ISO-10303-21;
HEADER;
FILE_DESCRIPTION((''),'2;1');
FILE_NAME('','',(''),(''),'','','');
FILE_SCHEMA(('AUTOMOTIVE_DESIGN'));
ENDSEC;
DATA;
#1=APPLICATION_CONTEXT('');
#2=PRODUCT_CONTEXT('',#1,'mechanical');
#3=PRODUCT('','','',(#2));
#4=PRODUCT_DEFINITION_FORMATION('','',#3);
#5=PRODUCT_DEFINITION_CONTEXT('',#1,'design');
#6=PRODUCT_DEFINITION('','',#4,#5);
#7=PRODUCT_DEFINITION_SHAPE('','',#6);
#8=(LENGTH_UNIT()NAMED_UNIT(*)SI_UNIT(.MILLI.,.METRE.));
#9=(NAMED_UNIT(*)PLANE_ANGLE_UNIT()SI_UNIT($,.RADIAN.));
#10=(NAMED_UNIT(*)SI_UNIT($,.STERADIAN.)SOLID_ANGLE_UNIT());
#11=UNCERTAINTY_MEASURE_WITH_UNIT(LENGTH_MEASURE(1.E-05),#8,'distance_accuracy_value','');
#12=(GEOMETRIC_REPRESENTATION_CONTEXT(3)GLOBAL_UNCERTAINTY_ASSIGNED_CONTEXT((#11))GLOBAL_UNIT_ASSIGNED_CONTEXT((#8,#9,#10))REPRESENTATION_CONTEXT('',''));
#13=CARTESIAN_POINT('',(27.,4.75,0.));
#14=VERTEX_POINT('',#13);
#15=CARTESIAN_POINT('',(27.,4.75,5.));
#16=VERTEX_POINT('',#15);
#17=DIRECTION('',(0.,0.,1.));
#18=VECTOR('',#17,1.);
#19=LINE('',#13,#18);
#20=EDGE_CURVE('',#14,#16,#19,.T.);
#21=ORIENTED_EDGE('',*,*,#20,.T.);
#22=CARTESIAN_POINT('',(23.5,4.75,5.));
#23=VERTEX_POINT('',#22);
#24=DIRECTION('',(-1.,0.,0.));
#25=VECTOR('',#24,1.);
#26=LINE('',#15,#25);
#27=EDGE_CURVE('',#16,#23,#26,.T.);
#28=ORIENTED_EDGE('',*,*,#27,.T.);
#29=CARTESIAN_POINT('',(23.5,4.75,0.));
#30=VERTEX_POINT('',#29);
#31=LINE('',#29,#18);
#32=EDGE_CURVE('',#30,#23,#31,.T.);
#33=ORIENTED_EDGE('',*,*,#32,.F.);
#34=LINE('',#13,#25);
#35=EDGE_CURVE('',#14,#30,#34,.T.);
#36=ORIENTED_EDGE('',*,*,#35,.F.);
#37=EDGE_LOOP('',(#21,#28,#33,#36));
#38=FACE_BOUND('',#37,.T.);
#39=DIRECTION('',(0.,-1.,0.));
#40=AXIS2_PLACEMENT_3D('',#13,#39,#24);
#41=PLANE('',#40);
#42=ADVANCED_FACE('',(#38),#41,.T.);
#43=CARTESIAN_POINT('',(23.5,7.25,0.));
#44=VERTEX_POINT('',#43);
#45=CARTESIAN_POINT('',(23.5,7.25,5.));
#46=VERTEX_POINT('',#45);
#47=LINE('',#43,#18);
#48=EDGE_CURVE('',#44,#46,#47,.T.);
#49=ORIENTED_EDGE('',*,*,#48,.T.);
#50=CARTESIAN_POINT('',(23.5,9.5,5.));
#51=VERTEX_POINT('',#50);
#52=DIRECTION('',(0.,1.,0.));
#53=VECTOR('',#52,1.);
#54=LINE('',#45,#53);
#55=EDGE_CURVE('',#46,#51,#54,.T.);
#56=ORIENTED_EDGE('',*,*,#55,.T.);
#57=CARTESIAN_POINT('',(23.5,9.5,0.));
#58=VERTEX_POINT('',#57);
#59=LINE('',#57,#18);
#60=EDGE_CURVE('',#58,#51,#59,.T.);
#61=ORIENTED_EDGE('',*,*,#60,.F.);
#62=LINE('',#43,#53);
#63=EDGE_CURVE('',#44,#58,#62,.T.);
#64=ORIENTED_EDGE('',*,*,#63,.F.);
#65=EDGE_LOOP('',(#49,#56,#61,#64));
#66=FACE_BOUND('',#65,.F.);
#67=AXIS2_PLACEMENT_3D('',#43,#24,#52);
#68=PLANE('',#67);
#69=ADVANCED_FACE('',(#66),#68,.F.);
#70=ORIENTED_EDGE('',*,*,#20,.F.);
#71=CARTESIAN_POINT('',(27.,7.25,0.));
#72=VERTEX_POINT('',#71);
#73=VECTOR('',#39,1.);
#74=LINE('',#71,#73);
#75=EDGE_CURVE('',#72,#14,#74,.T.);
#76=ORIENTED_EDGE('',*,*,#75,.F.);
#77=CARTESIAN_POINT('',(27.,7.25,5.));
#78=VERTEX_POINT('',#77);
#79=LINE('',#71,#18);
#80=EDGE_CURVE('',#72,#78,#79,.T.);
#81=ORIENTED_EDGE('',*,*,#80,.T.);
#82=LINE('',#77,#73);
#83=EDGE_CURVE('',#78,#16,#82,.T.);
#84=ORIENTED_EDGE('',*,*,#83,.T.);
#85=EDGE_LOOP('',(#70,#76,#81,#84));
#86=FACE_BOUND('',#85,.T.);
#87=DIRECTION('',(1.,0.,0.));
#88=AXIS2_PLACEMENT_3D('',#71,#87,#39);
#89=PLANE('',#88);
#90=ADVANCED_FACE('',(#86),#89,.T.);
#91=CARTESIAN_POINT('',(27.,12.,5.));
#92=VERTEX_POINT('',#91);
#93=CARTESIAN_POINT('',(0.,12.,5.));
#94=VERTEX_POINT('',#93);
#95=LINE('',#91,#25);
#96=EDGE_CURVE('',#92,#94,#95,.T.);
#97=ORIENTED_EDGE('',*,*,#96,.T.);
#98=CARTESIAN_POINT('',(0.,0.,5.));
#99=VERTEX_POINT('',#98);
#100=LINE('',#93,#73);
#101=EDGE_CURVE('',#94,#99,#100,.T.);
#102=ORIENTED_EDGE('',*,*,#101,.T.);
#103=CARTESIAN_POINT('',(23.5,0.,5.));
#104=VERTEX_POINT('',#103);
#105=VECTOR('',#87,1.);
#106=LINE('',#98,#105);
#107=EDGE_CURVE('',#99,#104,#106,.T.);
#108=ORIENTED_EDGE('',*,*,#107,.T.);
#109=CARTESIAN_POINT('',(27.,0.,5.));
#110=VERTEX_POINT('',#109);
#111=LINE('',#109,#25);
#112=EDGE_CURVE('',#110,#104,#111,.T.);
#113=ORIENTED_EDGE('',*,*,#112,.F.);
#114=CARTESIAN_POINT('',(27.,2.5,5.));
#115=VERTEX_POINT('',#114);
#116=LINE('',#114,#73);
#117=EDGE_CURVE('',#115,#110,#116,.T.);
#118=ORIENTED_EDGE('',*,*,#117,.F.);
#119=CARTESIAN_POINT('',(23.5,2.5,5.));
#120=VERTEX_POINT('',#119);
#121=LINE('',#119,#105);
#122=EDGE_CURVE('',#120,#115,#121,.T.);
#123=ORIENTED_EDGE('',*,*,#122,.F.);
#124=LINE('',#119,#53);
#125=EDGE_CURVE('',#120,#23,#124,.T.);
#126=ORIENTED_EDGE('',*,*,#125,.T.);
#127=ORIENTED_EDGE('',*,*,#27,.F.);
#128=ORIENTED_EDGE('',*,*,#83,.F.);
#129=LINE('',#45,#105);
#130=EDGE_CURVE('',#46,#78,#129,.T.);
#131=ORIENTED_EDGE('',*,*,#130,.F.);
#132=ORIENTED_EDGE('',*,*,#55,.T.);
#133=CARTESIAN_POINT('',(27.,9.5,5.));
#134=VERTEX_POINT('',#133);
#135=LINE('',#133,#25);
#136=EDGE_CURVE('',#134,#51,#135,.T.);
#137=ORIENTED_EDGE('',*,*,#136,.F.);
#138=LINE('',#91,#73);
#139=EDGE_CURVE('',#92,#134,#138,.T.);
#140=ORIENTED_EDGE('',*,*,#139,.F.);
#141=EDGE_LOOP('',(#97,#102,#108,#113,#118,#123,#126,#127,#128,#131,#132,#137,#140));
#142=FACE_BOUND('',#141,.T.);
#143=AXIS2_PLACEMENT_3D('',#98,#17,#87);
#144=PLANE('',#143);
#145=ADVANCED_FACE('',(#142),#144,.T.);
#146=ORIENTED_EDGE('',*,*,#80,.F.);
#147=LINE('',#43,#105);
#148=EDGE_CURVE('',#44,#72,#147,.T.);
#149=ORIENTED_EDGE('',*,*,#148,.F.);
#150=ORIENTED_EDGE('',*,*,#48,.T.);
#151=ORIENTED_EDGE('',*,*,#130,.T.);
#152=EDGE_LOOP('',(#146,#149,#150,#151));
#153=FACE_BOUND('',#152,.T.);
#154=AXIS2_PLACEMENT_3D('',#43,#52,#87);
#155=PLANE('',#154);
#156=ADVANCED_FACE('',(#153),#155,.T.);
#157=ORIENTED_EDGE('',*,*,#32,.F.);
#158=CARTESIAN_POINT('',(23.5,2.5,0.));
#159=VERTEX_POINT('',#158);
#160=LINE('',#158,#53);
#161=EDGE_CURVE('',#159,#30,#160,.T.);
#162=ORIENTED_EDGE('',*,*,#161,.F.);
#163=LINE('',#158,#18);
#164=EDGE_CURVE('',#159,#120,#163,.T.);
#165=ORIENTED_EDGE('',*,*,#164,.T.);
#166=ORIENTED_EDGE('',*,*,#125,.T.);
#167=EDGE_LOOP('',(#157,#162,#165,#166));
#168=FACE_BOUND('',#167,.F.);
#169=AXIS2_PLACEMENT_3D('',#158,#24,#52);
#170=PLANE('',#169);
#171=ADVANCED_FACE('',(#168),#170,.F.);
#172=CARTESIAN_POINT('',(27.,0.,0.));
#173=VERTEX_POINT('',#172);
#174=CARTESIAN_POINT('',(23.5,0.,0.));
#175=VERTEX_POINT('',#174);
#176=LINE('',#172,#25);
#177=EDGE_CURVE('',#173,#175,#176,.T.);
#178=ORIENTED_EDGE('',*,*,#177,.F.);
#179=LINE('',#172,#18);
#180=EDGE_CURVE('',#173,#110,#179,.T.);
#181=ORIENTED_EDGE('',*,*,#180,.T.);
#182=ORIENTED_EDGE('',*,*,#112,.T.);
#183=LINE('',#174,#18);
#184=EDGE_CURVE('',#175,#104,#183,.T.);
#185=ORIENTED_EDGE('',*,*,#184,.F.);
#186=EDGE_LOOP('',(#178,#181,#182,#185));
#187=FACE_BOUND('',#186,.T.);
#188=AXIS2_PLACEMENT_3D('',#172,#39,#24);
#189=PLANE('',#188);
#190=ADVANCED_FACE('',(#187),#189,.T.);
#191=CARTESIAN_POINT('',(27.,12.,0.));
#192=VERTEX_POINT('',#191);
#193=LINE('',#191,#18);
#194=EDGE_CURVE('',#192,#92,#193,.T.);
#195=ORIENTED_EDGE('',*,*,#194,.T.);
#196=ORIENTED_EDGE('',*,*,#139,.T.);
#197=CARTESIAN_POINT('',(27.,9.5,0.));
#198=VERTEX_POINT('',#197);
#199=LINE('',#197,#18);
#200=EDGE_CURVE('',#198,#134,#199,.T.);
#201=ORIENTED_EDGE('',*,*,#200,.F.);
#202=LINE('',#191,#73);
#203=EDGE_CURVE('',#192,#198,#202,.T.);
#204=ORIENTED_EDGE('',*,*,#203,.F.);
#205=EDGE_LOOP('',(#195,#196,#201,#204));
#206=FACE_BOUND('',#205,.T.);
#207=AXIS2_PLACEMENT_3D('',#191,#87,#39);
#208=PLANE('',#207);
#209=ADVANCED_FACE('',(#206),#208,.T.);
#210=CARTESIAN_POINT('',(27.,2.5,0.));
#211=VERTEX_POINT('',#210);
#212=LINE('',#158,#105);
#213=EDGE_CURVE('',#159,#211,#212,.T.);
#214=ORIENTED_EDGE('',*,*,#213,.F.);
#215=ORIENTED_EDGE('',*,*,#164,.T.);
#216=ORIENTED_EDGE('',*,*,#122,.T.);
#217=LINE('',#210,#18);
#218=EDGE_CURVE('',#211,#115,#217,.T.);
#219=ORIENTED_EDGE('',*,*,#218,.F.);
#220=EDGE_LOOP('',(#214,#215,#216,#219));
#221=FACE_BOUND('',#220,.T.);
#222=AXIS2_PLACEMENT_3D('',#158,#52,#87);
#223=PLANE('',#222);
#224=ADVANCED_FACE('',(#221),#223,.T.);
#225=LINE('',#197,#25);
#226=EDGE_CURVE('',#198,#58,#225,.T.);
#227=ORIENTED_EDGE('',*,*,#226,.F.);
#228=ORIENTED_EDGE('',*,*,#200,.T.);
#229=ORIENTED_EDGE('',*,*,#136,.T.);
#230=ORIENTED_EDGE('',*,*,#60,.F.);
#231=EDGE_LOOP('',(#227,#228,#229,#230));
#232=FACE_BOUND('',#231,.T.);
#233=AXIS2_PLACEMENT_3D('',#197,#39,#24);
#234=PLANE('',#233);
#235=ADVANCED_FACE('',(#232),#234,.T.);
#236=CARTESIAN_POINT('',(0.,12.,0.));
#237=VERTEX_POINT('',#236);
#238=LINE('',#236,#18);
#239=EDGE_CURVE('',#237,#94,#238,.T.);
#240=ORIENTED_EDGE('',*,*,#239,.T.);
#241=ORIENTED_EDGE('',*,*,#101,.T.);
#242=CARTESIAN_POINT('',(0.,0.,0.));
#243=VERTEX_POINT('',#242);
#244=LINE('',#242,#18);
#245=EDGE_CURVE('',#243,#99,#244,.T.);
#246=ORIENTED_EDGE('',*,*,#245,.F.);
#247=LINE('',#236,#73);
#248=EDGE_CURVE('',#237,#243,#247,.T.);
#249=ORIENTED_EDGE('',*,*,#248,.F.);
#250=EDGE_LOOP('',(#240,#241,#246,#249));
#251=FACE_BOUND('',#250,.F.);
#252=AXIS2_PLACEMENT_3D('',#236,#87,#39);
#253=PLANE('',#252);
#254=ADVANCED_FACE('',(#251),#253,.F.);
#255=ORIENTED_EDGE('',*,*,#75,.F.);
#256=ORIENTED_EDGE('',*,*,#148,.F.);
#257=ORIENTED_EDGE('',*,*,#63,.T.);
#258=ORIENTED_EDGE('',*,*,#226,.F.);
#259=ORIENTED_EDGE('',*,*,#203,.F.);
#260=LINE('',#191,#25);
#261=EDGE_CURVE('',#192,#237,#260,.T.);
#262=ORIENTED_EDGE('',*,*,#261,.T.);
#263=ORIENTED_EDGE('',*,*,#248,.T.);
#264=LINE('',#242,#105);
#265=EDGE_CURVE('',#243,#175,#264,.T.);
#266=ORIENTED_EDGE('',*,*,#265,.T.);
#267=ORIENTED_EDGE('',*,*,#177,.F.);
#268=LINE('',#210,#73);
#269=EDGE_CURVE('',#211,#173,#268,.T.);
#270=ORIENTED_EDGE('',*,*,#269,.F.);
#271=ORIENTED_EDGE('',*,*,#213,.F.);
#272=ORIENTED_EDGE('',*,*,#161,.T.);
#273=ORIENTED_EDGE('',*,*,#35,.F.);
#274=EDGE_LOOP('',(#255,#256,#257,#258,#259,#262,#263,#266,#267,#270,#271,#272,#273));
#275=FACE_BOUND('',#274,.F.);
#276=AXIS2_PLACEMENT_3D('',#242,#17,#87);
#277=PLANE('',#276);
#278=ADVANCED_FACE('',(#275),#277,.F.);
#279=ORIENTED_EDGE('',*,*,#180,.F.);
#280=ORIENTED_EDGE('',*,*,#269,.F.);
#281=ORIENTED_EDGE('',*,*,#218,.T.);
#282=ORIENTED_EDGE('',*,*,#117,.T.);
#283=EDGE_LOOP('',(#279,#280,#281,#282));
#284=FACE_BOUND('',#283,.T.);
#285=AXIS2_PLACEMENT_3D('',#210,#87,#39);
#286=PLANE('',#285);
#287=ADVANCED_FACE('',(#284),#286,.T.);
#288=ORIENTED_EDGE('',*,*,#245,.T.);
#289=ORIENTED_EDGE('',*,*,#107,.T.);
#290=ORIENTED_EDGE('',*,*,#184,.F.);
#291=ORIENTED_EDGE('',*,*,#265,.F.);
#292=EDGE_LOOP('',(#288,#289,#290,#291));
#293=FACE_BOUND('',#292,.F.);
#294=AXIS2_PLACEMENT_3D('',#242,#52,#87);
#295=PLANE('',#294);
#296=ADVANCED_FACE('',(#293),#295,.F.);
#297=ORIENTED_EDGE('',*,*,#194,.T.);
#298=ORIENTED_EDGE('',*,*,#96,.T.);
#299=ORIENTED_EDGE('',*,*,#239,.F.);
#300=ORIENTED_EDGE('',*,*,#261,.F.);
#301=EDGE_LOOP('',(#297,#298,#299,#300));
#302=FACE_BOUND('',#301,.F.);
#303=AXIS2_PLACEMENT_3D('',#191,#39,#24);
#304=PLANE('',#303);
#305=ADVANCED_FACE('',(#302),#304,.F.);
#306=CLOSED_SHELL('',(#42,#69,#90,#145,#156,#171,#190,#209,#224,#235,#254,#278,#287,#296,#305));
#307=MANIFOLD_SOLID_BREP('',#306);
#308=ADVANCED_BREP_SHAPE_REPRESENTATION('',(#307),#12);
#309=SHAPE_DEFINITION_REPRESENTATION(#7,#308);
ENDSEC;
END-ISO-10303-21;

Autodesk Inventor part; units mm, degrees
ref_plane "YZ Plane" through (0, 0, 0) normal (1, 0, 0) x (0, 1, 0)
ref_plane "XZ Plane" through (0, 0, 0) normal (0, 1, 0) x (-1, 0, 0)
ref_plane "XY Plane" through (0, 0, 0) normal (0, 0, 1) x (1, 0, 0)
sketch "Sketch1" plane through (0, 0, 0) normal (0, 0, 1) x (1, 0, 0)
  line L0 (27, 12) -> (0, 12)
  line L1 (0, 12) -> (0, 0)
  line L2 (27, 12) -> (27, 9.5)
  line L3 (27, 9.5) -> (23.5, 9.5)
  line L4 (23.5, 2.5) -> (27, 2.5)
  line L5 (27, 2.5) -> (27, 0)
  line L6 (27, 0) -> (23.5, 0)
  line L7 (23.5, 7.25) -> (27, 7.25)
  line L8 (27, 7.25) -> (27, 4.75)
  line L9 (27, 4.75) -> (23.5, 4.75)
  line L10 (23.5, 2.5) -> (23.5, 4.75)
  line L11 (23.5, 7.25) -> (23.5, 9.5)
  line L12 (0, 0) -> (27, 0)
  dimension "d2" = 2.5
  dimension "d4" = 2.5
  dimension "d8" = 2.5
  dimension "d9" = 2.25
  dimension "d10" = 7
  dimension "d11" = 27
  dimension "d12" = 12
  dimension "d13" = 3.5
  dimension "d14" = 3.5
  dimension "d15" = 3.5
extrude "Extrusion1" add sketch "Sketch1" along normal blind 5
equation "\"d4\" = d2"
equation "\"d8\" = d2"
equation "\"d9\" = -0.5 * d8 + 0.5 * d10"
equation "\"d14\" = d13"
properties part number "FVT LITTLEBEE BLHeli 20A ESC" material "Nylon 6/6"
